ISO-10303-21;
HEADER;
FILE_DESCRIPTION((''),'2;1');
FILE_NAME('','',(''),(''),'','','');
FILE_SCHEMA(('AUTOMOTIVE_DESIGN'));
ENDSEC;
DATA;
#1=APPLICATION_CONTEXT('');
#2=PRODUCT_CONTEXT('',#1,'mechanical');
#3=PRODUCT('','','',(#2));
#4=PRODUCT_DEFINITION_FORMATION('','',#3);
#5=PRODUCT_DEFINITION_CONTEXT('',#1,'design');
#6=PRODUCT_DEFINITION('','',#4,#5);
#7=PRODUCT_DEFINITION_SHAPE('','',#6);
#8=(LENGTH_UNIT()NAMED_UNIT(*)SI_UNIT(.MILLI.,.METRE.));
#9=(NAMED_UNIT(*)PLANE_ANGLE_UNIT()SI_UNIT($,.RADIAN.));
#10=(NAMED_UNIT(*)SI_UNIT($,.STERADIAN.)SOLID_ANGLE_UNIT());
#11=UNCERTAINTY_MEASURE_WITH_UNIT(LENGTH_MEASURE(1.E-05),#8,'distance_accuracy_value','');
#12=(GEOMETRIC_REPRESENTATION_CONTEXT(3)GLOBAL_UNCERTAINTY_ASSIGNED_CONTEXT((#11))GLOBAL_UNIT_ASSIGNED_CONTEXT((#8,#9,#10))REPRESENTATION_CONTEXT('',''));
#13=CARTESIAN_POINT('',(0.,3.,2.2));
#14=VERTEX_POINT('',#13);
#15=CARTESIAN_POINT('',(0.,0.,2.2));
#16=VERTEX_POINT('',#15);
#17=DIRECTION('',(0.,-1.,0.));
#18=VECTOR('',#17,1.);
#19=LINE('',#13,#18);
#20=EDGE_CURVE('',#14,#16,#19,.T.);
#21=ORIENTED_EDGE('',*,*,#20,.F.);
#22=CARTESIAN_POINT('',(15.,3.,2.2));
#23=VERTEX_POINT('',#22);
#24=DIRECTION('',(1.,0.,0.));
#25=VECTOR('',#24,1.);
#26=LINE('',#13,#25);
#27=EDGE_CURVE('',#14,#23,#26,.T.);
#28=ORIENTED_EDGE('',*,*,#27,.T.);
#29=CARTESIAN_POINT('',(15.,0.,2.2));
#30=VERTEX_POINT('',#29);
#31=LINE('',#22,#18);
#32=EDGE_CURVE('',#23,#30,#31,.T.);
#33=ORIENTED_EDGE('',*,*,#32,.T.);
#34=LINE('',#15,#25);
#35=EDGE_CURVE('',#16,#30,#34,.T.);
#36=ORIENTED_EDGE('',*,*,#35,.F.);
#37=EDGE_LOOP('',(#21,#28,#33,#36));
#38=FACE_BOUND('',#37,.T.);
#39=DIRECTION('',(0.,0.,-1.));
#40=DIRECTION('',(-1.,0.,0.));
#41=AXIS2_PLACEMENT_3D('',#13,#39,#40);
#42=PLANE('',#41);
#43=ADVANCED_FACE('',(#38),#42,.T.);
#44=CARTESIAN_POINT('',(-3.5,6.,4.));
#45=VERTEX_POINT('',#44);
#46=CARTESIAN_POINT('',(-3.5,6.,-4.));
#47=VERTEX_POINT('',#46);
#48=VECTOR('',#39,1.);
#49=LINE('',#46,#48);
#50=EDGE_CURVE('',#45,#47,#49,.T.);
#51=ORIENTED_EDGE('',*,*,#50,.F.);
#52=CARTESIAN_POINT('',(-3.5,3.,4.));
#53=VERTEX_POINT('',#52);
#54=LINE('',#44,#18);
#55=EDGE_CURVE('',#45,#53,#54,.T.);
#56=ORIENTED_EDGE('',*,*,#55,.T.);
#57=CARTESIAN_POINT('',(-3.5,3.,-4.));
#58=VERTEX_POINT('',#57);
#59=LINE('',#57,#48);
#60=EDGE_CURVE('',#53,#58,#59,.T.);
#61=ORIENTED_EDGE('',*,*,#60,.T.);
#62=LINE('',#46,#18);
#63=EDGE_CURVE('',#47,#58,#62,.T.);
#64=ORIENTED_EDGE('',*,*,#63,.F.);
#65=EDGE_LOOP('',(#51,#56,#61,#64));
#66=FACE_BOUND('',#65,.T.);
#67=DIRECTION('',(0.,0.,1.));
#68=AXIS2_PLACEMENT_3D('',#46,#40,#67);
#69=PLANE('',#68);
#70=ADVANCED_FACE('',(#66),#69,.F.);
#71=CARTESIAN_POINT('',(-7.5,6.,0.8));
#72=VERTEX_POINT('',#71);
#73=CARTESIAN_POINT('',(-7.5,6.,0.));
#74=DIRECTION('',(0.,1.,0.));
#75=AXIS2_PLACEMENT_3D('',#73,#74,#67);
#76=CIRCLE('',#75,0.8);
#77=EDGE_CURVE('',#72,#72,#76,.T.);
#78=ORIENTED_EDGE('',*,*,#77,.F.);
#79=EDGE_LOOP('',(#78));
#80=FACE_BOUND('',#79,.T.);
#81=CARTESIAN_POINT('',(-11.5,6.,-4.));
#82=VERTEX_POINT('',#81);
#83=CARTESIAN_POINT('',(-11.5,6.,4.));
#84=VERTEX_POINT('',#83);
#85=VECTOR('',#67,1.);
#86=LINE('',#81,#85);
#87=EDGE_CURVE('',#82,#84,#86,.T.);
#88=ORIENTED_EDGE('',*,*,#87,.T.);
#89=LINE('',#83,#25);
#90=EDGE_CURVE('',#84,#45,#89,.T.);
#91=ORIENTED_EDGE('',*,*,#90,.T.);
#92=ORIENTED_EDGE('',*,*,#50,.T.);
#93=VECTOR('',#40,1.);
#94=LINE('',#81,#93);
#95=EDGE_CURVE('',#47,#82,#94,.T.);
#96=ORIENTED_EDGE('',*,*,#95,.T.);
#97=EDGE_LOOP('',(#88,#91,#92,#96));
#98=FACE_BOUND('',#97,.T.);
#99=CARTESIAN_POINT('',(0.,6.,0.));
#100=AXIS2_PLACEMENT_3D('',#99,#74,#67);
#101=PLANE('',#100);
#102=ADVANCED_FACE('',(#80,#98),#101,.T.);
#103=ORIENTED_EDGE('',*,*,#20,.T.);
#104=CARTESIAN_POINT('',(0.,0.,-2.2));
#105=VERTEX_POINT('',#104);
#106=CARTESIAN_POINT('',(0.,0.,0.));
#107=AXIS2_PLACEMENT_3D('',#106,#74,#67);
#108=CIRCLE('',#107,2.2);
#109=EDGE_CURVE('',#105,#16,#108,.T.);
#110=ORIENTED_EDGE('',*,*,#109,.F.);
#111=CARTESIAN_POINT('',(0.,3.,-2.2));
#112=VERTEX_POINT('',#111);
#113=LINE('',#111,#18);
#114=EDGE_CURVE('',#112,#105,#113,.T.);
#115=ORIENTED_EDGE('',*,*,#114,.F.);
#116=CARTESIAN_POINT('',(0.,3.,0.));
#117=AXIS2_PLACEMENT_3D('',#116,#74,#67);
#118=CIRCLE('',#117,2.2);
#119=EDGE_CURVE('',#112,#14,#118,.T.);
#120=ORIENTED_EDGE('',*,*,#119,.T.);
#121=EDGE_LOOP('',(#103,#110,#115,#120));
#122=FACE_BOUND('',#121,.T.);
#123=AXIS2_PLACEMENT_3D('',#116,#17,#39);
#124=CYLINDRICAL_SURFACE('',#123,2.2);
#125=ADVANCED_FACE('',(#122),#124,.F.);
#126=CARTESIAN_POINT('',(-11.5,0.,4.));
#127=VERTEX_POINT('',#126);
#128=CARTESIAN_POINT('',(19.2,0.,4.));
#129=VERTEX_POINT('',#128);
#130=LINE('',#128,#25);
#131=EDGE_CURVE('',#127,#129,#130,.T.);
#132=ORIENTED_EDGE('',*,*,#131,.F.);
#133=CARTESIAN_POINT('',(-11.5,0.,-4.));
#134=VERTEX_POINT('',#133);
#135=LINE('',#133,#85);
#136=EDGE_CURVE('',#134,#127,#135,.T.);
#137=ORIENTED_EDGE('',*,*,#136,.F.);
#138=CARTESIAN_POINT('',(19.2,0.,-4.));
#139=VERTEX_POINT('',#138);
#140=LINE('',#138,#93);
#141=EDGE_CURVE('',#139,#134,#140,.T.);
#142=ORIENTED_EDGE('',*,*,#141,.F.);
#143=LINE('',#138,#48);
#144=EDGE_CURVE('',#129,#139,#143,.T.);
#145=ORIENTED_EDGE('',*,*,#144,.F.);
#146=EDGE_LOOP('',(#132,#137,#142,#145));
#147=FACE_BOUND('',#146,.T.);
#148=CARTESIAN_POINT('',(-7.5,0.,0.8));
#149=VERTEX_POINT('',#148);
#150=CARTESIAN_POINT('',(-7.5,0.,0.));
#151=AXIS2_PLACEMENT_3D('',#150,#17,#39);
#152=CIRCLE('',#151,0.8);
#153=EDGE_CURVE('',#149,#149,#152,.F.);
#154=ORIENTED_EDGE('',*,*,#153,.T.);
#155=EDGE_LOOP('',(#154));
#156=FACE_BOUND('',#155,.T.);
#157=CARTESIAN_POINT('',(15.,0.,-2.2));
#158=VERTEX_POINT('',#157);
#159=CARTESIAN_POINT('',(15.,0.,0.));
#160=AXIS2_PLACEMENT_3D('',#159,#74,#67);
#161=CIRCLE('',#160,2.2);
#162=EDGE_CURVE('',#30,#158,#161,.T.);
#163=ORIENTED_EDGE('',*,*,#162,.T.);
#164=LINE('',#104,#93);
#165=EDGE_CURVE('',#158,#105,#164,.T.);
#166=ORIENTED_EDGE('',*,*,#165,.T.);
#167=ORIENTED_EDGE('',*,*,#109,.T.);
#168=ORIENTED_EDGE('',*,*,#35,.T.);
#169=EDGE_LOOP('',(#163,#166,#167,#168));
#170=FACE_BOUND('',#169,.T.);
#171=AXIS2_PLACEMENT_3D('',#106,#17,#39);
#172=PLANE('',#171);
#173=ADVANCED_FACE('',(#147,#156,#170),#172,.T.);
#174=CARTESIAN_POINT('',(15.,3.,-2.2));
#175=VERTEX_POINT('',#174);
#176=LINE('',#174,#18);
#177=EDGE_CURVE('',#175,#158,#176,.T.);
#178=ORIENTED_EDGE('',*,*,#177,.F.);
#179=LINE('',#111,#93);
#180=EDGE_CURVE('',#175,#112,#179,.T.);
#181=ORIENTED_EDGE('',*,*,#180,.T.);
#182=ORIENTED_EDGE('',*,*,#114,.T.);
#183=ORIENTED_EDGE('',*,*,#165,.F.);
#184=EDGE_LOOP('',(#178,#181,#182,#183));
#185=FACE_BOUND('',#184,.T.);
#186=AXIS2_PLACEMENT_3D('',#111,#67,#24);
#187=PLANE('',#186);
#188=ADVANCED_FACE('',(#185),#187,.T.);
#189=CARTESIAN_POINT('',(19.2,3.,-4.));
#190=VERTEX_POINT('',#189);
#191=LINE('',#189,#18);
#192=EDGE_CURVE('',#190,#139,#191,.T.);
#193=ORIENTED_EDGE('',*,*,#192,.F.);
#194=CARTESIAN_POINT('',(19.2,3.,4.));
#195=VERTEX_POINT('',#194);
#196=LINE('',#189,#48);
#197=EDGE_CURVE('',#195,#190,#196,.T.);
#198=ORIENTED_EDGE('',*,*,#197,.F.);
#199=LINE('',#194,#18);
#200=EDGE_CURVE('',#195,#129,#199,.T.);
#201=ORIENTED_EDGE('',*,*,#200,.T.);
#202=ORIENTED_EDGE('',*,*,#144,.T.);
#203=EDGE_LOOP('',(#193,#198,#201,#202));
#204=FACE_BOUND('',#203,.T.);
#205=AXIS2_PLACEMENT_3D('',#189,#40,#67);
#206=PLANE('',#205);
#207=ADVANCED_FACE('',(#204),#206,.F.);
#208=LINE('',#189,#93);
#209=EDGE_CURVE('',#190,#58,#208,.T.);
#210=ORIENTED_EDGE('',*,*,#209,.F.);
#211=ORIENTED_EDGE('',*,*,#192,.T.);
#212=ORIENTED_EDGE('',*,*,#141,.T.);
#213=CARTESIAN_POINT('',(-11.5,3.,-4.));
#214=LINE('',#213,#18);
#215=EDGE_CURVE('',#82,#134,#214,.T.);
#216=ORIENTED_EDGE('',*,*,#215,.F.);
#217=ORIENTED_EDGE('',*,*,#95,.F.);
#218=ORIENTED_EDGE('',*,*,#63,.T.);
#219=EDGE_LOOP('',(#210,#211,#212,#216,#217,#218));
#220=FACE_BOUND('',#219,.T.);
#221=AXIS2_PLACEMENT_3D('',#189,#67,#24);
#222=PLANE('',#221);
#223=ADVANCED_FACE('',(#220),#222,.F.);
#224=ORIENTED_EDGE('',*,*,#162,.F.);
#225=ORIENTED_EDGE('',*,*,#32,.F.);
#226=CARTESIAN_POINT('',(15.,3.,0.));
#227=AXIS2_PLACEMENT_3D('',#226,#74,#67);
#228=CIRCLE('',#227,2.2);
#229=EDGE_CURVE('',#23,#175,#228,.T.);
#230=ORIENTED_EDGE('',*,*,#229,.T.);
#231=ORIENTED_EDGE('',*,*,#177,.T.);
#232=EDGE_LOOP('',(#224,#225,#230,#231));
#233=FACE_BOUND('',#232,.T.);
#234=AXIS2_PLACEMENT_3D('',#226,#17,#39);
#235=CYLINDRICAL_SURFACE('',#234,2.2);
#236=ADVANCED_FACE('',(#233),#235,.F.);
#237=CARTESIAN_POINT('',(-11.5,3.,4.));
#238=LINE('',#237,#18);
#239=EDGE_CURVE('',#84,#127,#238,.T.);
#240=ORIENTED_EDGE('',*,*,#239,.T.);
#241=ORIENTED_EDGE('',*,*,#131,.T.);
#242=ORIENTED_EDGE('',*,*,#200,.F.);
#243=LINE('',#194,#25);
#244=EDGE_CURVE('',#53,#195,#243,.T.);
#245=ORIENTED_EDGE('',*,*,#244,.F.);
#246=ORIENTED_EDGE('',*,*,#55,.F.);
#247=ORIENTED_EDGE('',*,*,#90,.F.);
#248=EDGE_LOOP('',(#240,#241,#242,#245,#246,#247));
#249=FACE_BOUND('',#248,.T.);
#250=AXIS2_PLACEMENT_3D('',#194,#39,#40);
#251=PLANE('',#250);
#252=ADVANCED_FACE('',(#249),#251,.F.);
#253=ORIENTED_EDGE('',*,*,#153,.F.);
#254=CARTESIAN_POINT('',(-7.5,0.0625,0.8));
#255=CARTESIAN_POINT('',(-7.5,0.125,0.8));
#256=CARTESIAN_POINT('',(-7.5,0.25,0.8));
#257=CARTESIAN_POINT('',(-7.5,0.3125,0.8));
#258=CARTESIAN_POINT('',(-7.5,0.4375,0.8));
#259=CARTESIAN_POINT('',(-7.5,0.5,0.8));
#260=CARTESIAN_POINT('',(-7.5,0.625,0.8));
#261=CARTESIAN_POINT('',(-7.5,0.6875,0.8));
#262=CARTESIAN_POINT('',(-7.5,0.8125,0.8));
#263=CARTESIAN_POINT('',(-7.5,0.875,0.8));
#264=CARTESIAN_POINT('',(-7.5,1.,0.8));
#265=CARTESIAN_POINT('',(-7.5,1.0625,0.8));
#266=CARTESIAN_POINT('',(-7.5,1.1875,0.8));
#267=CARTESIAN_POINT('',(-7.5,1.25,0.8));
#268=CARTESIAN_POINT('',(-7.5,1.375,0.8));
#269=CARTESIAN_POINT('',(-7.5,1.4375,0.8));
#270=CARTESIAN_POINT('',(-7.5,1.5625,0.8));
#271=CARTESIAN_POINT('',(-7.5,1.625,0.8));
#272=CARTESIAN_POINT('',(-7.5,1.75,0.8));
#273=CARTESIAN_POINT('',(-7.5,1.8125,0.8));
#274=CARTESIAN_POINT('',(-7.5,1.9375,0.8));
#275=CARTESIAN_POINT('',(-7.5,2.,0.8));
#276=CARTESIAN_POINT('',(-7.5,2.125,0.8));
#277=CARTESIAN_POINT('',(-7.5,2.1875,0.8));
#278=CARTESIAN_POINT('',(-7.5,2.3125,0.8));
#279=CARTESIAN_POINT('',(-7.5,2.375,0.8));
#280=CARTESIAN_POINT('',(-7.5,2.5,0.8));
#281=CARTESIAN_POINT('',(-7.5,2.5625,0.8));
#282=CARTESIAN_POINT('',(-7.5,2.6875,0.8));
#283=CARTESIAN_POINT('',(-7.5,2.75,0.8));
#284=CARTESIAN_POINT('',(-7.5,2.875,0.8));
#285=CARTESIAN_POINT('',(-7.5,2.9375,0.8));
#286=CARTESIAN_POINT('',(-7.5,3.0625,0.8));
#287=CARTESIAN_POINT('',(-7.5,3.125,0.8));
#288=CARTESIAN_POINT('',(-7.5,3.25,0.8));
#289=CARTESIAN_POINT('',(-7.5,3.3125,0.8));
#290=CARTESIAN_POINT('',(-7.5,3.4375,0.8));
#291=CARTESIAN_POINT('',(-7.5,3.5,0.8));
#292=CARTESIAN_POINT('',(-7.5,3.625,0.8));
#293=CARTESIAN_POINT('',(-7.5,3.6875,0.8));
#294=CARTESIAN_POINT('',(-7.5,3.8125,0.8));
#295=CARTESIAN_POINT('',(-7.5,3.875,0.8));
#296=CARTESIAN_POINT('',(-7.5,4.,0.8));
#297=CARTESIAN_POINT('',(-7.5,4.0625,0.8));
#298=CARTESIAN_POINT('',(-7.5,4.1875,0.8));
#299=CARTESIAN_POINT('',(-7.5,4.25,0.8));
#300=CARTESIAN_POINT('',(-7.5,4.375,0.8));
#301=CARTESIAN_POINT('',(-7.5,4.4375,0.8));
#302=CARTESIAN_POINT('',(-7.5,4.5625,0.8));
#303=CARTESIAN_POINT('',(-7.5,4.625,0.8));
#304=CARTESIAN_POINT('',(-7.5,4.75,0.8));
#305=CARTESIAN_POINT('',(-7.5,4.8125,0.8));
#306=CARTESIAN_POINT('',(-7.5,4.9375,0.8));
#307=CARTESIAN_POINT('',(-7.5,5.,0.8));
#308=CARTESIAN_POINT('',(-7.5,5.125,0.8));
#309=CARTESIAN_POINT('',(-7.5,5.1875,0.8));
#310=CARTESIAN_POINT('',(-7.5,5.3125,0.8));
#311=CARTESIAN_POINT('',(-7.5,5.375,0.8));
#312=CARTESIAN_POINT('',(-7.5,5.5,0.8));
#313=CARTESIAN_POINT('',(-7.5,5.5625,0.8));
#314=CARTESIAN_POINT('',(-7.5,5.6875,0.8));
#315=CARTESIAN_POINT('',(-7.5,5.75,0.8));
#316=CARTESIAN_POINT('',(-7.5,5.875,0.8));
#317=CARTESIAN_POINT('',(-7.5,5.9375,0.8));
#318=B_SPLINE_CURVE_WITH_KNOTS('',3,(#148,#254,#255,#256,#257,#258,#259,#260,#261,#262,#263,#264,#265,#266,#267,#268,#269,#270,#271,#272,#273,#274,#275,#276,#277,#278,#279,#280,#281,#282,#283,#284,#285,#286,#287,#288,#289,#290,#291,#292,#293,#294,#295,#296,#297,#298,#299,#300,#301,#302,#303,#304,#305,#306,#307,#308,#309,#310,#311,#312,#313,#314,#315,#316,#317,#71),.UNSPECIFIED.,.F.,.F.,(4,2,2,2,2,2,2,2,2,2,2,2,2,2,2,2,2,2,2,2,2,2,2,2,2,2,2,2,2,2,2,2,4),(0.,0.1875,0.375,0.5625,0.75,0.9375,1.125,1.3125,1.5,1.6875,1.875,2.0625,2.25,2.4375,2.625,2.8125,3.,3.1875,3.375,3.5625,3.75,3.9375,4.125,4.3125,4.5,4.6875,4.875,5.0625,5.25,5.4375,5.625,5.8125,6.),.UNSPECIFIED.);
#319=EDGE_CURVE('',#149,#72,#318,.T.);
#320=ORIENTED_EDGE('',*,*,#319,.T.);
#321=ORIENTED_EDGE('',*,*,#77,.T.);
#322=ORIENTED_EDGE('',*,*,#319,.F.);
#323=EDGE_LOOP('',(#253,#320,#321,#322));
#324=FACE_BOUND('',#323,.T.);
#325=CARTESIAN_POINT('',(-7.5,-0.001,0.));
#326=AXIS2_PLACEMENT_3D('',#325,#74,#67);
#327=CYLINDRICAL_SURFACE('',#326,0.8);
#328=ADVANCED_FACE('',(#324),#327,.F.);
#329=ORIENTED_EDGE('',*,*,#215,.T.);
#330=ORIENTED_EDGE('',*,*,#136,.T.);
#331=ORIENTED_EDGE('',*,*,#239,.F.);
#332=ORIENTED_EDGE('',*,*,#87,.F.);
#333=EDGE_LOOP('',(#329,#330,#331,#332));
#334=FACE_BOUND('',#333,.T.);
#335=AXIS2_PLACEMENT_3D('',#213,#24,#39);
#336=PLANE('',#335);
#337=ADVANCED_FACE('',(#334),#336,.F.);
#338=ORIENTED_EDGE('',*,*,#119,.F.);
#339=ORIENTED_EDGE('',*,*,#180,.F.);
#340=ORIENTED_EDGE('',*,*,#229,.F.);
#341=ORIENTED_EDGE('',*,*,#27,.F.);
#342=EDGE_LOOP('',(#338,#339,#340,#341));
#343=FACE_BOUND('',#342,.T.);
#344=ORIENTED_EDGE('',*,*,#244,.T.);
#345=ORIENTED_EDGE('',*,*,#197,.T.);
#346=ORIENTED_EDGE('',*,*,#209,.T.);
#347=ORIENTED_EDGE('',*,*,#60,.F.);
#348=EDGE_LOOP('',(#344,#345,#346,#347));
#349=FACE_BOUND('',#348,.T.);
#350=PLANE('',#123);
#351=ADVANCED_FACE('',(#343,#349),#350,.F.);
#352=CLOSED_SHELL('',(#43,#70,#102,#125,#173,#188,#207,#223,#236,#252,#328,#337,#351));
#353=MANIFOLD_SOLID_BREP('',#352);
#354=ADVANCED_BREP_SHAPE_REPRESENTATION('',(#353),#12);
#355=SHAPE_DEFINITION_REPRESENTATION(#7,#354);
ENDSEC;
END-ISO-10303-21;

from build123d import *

# Parameters (mm, degrees)
SKETCH1_W           = 30.7
SKETCH1_H           = 8
BOSS_EXTRUDE1_DEPTH = 3
SKETCH2_W           = 8
SKETCH2_H           = 8
BOSS_EXTRUDE2_DEPTH = 3
CUT_EXTRUDE1_REACH  = 22.51
SKETCH3_R           = 0.8


with BuildPart() as part:
    # Sketch1 → Boss-Extrude1 (new body)
    with BuildSketch(Plane(origin=(0, 0, 0), x_dir=(1, 0, 0), z_dir=(0, 1, 0))):
        with Locations((3.85, 0)):
            Rectangle(SKETCH1_W, SKETCH1_H)
        with BuildLine():
            Line((0, 2.2), (15, 2.2))
            ThreePointArc((15, 2.2), (17.2, 0), (15, -2.2))
            Line((15, -2.2), (0, -2.2))
            ThreePointArc((0, -2.2), (-2.2, 0), (0, 2.2))
        make_face(mode=Mode.SUBTRACT)
    extrude(amount=BOSS_EXTRUDE1_DEPTH)

    # Sketch2 → Boss-Extrude2 (add)
    with BuildSketch(Plane(origin=(0, 3, 0), x_dir=(1, 0, 0), z_dir=(0, 1, 0))):
        with Locations((-7.5, 0)):
            Rectangle(SKETCH2_W, SKETCH2_H)
    extrude(amount=BOSS_EXTRUDE2_DEPTH)

    # Sketch3 → Cut-Extrude1 (cut, up to next)
    with BuildSketch(Plane(origin=(0, 6, 0), x_dir=(1, 0, 0), z_dir=(0, 1, 0)), mode=Mode.PRIVATE) as cut_extrude1_sk1:
        with Locations(Location((-7.5, 0, 0), (0, 0, 270))):
            Circle(SKETCH3_R)
    cut_extrude1_tool1 = extrude(cut_extrude1_sk1.sketch, amount=-CUT_EXTRUDE1_REACH, mode=Mode.PRIVATE) & part.part
    add(cut_extrude1_tool1.solids().sort_by_distance((-7.5, 6, 0))[0], mode=Mode.SUBTRACT)


solid = part.part
